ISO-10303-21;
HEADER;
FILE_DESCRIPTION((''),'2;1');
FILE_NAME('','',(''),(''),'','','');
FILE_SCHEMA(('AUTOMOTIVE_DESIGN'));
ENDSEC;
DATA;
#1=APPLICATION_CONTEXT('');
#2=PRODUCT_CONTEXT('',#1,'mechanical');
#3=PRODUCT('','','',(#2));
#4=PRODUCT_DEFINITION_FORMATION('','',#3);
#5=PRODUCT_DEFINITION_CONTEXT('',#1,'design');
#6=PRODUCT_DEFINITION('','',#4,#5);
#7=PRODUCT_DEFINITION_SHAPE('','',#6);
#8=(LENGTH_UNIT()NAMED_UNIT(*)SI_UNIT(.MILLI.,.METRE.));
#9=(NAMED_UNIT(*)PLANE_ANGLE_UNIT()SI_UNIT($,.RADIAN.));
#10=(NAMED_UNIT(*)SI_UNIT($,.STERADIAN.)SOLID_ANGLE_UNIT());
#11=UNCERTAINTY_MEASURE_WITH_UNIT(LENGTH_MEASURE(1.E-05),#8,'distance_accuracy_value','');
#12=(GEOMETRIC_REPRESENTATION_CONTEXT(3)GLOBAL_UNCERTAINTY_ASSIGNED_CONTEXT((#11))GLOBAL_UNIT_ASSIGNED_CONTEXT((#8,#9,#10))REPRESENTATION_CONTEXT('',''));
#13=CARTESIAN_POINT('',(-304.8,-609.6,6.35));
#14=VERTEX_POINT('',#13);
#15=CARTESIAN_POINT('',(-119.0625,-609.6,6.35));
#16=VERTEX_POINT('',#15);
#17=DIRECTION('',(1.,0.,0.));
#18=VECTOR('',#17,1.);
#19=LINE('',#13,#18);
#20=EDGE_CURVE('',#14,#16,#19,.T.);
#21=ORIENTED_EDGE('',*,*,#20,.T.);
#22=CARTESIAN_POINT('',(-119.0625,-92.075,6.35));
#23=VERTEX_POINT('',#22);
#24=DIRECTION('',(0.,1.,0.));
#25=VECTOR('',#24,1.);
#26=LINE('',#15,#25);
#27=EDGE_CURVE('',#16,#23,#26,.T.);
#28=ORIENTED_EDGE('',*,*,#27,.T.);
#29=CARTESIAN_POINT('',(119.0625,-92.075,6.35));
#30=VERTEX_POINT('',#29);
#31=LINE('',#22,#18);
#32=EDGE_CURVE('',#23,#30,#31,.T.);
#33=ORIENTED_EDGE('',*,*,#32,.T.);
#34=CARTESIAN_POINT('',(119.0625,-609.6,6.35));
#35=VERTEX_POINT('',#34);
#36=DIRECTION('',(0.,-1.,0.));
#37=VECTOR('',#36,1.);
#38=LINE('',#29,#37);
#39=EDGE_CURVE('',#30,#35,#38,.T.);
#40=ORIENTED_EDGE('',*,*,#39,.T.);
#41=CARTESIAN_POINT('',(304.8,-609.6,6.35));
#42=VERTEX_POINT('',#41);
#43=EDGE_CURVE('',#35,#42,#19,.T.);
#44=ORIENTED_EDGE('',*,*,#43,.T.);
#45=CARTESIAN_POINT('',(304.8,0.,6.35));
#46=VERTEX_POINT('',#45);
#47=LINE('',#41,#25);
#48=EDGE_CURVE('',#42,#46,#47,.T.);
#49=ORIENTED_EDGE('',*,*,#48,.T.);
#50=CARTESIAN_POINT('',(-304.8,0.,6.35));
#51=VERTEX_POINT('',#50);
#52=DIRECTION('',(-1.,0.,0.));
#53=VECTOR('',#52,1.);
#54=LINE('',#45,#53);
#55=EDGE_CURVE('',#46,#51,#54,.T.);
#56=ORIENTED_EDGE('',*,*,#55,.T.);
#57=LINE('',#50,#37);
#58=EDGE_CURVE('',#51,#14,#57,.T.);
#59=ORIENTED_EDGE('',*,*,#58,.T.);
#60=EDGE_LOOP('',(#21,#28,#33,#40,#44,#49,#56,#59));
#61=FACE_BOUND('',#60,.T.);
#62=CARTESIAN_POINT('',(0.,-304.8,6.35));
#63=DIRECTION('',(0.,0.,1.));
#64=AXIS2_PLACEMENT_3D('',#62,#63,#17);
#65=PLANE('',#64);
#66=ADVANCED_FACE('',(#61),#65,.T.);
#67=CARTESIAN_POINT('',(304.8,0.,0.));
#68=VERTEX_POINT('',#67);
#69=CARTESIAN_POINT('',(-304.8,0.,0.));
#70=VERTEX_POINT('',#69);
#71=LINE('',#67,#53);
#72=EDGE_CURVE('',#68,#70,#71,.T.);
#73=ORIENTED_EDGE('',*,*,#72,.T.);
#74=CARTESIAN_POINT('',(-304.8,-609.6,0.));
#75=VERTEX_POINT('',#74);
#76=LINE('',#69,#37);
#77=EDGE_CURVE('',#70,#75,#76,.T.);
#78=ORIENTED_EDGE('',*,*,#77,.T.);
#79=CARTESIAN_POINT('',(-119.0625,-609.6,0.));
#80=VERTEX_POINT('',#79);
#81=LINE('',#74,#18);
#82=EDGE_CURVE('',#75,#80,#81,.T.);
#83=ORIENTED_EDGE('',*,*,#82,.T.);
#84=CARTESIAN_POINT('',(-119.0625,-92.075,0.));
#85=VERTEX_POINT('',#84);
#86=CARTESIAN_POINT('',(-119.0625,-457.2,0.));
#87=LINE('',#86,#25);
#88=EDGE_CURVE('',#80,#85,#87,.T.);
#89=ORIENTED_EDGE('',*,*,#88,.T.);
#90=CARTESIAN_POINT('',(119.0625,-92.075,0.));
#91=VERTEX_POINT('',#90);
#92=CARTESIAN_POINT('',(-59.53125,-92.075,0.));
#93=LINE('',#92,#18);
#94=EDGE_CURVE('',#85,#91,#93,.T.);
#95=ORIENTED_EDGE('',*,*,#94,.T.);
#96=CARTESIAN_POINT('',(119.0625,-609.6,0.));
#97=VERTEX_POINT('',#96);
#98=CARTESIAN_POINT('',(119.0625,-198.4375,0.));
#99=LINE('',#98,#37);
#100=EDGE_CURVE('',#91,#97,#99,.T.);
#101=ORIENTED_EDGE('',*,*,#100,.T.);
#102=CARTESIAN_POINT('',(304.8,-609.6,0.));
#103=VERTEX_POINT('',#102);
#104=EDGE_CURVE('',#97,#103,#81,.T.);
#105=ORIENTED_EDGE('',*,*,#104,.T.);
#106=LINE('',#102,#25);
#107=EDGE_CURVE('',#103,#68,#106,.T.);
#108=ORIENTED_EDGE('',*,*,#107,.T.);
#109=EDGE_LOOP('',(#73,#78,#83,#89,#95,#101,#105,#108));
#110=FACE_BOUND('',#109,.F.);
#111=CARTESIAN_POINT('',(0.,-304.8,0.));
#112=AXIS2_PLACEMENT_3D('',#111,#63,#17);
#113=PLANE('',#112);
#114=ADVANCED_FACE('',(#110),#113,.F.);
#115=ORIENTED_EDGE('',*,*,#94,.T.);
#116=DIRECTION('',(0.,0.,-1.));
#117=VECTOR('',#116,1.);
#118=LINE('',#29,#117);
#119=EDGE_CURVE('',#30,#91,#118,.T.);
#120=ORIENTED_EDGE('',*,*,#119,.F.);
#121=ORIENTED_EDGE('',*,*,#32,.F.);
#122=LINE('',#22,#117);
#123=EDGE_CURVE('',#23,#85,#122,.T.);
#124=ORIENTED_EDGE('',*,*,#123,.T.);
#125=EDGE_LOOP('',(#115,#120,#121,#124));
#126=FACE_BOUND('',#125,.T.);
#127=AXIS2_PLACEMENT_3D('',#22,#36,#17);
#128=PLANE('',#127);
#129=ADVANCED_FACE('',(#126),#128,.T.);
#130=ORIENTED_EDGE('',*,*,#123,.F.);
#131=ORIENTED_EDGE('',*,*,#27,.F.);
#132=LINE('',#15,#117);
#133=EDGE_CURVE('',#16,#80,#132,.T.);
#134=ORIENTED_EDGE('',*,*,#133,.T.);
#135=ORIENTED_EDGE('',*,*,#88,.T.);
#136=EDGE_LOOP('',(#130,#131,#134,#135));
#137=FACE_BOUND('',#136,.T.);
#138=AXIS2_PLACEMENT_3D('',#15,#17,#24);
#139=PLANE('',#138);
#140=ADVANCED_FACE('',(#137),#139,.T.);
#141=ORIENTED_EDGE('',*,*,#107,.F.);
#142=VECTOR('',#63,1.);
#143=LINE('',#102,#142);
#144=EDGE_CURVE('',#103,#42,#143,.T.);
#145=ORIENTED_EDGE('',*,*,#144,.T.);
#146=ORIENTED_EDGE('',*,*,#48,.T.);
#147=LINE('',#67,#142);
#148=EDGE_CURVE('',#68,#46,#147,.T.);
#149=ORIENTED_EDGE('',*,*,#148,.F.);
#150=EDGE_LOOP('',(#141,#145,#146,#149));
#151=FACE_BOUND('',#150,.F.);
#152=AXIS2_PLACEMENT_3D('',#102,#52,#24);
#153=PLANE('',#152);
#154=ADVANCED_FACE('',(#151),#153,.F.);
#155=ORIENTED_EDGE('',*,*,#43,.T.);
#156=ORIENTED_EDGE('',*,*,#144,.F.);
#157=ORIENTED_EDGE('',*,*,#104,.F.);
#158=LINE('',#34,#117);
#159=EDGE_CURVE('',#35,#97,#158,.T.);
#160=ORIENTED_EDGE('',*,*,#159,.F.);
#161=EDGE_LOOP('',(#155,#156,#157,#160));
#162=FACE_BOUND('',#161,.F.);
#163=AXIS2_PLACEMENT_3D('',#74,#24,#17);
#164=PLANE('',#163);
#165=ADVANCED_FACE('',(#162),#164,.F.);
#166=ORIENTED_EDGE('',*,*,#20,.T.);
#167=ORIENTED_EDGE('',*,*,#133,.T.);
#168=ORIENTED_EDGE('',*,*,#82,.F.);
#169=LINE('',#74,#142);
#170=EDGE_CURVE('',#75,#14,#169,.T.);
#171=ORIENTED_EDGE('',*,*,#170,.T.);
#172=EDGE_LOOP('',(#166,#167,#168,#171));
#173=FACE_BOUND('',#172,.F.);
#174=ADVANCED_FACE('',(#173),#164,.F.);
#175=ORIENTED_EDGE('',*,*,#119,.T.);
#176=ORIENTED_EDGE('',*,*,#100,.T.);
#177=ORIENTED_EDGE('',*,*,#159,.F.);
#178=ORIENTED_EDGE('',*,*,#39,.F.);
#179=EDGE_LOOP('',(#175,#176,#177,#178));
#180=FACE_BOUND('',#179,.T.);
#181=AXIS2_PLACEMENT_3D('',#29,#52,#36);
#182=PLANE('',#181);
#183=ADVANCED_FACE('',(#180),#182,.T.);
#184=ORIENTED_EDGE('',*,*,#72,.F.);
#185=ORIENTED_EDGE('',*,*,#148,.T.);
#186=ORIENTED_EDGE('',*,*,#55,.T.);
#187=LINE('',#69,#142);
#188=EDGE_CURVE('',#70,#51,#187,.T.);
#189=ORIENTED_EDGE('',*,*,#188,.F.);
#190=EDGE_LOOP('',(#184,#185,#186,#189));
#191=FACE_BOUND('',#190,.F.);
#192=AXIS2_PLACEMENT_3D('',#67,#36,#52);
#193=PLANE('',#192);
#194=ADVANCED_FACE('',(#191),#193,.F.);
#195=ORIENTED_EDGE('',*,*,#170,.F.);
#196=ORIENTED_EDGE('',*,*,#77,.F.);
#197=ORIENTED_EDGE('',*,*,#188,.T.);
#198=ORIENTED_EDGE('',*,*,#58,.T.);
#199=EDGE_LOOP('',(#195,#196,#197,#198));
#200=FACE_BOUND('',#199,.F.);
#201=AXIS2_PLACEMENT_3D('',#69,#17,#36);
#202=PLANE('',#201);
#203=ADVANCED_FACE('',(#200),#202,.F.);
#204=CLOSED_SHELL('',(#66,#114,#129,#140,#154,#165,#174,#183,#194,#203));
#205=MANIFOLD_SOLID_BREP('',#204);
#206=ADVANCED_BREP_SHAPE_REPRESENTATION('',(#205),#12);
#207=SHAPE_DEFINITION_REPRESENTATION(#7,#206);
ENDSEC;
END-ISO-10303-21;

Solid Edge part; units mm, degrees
sketch "Sketch1" plane through (0, 0, 0) normal (0, 0, 1) x (1, 0, 0)
  line L0 (-304.8, -609.6) -> (304.8, -609.6)
  line L1 (304.8, -609.6) -> (304.8, 0)
  line L2 (304.8, 0) -> (-304.8, 0)
  line L3 (-304.8, 0) -> (-304.8, -609.6)
  dimension "D1" = 609.6
  dimension "D2" = 609.6
extrude "Protrusion1" add sketch "Sketch1" along normal blind 6.35
extrude "Cutout1" [suppressed]
sketch "Sketch2" plane through (0, -304.8, 6.35) normal (0, 0, 1) x (0, 1, 0)
  line L0 (212.725, -119.0625) -> (-304.8, -119.0625)
  line L1 (-304.8, -119.0625) -> (-304.8, 119.0625)
  line L2 (-304.8, 119.0625) -> (212.725, 119.0625)
  line L3 (212.725, 119.0625) -> (212.725, -119.0625)
  dimension "D1" = 238.125
  dimension "D2" = 517.525
extrude "Cutout2" cut sketch "Sketch2" against normal through all
properties material "Wood, Pine"
